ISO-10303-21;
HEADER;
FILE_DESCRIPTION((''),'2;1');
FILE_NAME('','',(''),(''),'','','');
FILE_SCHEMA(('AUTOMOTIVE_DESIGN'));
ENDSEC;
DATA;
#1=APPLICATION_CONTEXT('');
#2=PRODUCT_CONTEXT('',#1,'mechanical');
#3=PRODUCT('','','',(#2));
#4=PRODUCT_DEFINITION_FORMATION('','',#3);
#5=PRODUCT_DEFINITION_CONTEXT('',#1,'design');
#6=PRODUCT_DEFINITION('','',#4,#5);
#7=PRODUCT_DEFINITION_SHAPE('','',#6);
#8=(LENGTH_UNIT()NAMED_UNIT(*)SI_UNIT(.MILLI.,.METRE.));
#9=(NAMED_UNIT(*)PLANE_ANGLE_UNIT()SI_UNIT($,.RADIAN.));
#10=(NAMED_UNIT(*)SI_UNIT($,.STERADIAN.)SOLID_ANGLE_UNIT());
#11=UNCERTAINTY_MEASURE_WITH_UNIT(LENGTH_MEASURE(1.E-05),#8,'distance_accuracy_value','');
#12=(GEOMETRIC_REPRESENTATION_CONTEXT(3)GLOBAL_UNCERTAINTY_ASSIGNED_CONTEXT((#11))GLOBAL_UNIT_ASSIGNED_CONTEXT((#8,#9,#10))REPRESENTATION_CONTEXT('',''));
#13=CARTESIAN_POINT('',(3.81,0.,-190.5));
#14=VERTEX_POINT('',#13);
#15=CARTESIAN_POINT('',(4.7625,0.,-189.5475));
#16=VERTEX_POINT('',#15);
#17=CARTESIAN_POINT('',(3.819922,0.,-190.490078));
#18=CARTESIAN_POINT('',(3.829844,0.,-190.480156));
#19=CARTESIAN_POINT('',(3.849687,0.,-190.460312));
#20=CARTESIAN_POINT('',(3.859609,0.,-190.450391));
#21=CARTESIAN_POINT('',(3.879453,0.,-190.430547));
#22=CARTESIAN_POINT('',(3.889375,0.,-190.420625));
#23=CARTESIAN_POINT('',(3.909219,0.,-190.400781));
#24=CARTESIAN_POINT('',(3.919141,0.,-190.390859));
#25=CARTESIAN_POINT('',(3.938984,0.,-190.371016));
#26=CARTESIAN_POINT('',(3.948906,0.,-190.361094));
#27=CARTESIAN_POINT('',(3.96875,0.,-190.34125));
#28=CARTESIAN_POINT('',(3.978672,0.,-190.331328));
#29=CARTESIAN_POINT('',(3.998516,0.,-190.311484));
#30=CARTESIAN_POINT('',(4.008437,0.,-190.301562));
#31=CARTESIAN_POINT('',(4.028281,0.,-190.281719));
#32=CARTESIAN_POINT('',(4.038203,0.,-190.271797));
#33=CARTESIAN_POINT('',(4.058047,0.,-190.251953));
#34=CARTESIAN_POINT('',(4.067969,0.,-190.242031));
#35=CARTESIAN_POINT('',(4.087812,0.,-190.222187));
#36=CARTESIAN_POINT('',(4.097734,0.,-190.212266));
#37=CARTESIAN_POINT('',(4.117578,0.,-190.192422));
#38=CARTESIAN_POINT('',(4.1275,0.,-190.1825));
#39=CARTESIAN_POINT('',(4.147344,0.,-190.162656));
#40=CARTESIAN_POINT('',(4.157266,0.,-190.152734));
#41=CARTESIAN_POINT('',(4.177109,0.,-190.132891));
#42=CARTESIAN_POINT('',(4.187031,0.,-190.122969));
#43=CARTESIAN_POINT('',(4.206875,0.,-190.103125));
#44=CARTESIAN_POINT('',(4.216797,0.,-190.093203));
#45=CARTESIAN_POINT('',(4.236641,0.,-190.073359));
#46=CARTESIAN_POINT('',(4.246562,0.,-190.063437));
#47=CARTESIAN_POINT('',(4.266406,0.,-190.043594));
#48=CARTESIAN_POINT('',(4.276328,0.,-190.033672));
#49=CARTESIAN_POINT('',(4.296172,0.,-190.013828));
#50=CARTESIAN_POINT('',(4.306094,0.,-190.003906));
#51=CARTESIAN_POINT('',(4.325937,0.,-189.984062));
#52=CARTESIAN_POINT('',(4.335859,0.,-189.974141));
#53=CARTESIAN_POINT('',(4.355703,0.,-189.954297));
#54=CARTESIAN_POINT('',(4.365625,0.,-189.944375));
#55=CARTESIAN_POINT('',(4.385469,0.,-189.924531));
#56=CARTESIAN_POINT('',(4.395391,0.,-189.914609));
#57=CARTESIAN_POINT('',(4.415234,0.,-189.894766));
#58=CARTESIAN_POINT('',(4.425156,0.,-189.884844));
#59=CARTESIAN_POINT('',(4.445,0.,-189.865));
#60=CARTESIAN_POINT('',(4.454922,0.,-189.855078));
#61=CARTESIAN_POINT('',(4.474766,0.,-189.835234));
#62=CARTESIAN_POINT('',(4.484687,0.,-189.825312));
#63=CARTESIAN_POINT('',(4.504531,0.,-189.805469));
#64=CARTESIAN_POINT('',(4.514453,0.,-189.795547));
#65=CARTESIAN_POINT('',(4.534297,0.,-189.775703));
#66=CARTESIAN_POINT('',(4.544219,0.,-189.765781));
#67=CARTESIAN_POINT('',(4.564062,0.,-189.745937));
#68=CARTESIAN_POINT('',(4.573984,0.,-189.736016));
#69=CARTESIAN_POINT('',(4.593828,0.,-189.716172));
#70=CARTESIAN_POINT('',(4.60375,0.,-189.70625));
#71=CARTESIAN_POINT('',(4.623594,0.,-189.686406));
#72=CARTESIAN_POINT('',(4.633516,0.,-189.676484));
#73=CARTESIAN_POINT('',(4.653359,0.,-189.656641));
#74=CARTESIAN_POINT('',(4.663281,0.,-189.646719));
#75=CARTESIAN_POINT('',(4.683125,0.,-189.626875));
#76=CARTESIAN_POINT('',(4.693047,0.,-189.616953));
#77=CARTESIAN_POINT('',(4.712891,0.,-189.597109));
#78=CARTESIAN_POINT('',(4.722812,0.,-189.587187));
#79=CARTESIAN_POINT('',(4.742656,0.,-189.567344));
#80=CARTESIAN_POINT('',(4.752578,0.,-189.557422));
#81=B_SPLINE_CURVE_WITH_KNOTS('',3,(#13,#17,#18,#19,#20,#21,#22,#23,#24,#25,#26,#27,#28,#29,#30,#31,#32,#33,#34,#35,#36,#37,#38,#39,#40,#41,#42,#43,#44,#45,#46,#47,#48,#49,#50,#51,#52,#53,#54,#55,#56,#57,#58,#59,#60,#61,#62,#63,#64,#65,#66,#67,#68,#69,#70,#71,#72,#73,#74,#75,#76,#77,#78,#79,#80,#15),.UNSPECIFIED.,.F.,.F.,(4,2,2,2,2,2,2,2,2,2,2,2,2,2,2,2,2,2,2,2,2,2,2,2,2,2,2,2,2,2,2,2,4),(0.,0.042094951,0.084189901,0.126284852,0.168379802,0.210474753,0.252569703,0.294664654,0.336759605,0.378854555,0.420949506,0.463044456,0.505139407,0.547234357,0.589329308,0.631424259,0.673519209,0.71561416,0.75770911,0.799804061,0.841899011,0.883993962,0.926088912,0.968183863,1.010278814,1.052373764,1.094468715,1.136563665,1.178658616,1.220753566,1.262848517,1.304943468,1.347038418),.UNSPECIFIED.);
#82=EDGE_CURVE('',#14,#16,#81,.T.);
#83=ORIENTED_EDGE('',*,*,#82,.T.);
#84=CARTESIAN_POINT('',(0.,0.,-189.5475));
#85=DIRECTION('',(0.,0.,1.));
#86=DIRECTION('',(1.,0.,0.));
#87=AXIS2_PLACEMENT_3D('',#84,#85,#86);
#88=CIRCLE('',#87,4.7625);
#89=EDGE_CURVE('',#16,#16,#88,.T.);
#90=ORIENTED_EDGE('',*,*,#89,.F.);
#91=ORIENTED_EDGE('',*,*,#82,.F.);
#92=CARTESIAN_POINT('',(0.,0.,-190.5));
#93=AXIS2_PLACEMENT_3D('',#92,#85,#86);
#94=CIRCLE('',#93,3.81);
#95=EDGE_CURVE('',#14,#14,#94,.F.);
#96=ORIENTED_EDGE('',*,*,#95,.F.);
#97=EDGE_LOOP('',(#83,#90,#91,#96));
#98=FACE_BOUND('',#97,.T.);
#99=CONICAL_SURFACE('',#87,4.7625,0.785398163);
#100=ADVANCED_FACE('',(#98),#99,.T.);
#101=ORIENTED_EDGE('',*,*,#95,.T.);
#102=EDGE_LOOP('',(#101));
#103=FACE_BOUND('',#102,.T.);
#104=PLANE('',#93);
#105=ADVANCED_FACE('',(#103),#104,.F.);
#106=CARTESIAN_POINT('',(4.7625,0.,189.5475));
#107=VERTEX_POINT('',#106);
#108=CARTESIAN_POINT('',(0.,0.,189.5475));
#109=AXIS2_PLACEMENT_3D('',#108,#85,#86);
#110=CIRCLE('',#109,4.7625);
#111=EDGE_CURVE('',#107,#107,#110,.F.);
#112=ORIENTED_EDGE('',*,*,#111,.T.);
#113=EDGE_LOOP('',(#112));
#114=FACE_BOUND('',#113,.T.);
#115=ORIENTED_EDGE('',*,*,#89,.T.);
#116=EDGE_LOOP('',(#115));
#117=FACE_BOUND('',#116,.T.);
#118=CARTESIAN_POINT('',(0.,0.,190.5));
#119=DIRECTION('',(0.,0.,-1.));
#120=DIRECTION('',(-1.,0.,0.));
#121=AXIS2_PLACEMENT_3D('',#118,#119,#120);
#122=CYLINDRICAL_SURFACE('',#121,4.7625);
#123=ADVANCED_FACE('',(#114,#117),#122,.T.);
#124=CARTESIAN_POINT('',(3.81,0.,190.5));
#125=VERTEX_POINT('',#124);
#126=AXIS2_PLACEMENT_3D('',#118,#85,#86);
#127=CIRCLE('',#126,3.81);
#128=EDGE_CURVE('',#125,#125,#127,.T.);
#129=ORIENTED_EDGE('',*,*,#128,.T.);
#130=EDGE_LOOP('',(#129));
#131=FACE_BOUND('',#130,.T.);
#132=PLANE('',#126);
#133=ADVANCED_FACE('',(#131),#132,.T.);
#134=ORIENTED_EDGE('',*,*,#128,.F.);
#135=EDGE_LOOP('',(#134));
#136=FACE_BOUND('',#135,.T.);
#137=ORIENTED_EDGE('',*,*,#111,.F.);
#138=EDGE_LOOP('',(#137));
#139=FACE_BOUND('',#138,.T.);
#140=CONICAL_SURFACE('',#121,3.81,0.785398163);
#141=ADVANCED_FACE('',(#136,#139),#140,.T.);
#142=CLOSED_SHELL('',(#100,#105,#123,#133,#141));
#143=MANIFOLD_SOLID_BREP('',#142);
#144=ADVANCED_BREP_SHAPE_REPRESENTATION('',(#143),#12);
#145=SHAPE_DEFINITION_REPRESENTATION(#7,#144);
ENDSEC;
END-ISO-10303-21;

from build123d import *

# Parameters (mm, degrees)
SKETCH3_R           = 4.7625
BOSS_EXTRUDE1_DEPTH = 190.5
CHAMFER1_SIZE       = 0.9525


with BuildPart() as part:
    # Sketch3 → Boss-Extrude1 (new, symmetric)
    with BuildSketch(Plane.XY):
        Circle(SKETCH3_R)
    extrude(amount=BOSS_EXTRUDE1_DEPTH, both=True)

    # Chamfer1
    chamfer1_edges = [part.edges().sort_by_distance(p)[0] for p in [
        (-4.7625, 0, -190.5),
        (-4.7625, 0, 190.5),
    ]]
    chamfer(chamfer1_edges, length=CHAMFER1_SIZE)


solid = part.part
